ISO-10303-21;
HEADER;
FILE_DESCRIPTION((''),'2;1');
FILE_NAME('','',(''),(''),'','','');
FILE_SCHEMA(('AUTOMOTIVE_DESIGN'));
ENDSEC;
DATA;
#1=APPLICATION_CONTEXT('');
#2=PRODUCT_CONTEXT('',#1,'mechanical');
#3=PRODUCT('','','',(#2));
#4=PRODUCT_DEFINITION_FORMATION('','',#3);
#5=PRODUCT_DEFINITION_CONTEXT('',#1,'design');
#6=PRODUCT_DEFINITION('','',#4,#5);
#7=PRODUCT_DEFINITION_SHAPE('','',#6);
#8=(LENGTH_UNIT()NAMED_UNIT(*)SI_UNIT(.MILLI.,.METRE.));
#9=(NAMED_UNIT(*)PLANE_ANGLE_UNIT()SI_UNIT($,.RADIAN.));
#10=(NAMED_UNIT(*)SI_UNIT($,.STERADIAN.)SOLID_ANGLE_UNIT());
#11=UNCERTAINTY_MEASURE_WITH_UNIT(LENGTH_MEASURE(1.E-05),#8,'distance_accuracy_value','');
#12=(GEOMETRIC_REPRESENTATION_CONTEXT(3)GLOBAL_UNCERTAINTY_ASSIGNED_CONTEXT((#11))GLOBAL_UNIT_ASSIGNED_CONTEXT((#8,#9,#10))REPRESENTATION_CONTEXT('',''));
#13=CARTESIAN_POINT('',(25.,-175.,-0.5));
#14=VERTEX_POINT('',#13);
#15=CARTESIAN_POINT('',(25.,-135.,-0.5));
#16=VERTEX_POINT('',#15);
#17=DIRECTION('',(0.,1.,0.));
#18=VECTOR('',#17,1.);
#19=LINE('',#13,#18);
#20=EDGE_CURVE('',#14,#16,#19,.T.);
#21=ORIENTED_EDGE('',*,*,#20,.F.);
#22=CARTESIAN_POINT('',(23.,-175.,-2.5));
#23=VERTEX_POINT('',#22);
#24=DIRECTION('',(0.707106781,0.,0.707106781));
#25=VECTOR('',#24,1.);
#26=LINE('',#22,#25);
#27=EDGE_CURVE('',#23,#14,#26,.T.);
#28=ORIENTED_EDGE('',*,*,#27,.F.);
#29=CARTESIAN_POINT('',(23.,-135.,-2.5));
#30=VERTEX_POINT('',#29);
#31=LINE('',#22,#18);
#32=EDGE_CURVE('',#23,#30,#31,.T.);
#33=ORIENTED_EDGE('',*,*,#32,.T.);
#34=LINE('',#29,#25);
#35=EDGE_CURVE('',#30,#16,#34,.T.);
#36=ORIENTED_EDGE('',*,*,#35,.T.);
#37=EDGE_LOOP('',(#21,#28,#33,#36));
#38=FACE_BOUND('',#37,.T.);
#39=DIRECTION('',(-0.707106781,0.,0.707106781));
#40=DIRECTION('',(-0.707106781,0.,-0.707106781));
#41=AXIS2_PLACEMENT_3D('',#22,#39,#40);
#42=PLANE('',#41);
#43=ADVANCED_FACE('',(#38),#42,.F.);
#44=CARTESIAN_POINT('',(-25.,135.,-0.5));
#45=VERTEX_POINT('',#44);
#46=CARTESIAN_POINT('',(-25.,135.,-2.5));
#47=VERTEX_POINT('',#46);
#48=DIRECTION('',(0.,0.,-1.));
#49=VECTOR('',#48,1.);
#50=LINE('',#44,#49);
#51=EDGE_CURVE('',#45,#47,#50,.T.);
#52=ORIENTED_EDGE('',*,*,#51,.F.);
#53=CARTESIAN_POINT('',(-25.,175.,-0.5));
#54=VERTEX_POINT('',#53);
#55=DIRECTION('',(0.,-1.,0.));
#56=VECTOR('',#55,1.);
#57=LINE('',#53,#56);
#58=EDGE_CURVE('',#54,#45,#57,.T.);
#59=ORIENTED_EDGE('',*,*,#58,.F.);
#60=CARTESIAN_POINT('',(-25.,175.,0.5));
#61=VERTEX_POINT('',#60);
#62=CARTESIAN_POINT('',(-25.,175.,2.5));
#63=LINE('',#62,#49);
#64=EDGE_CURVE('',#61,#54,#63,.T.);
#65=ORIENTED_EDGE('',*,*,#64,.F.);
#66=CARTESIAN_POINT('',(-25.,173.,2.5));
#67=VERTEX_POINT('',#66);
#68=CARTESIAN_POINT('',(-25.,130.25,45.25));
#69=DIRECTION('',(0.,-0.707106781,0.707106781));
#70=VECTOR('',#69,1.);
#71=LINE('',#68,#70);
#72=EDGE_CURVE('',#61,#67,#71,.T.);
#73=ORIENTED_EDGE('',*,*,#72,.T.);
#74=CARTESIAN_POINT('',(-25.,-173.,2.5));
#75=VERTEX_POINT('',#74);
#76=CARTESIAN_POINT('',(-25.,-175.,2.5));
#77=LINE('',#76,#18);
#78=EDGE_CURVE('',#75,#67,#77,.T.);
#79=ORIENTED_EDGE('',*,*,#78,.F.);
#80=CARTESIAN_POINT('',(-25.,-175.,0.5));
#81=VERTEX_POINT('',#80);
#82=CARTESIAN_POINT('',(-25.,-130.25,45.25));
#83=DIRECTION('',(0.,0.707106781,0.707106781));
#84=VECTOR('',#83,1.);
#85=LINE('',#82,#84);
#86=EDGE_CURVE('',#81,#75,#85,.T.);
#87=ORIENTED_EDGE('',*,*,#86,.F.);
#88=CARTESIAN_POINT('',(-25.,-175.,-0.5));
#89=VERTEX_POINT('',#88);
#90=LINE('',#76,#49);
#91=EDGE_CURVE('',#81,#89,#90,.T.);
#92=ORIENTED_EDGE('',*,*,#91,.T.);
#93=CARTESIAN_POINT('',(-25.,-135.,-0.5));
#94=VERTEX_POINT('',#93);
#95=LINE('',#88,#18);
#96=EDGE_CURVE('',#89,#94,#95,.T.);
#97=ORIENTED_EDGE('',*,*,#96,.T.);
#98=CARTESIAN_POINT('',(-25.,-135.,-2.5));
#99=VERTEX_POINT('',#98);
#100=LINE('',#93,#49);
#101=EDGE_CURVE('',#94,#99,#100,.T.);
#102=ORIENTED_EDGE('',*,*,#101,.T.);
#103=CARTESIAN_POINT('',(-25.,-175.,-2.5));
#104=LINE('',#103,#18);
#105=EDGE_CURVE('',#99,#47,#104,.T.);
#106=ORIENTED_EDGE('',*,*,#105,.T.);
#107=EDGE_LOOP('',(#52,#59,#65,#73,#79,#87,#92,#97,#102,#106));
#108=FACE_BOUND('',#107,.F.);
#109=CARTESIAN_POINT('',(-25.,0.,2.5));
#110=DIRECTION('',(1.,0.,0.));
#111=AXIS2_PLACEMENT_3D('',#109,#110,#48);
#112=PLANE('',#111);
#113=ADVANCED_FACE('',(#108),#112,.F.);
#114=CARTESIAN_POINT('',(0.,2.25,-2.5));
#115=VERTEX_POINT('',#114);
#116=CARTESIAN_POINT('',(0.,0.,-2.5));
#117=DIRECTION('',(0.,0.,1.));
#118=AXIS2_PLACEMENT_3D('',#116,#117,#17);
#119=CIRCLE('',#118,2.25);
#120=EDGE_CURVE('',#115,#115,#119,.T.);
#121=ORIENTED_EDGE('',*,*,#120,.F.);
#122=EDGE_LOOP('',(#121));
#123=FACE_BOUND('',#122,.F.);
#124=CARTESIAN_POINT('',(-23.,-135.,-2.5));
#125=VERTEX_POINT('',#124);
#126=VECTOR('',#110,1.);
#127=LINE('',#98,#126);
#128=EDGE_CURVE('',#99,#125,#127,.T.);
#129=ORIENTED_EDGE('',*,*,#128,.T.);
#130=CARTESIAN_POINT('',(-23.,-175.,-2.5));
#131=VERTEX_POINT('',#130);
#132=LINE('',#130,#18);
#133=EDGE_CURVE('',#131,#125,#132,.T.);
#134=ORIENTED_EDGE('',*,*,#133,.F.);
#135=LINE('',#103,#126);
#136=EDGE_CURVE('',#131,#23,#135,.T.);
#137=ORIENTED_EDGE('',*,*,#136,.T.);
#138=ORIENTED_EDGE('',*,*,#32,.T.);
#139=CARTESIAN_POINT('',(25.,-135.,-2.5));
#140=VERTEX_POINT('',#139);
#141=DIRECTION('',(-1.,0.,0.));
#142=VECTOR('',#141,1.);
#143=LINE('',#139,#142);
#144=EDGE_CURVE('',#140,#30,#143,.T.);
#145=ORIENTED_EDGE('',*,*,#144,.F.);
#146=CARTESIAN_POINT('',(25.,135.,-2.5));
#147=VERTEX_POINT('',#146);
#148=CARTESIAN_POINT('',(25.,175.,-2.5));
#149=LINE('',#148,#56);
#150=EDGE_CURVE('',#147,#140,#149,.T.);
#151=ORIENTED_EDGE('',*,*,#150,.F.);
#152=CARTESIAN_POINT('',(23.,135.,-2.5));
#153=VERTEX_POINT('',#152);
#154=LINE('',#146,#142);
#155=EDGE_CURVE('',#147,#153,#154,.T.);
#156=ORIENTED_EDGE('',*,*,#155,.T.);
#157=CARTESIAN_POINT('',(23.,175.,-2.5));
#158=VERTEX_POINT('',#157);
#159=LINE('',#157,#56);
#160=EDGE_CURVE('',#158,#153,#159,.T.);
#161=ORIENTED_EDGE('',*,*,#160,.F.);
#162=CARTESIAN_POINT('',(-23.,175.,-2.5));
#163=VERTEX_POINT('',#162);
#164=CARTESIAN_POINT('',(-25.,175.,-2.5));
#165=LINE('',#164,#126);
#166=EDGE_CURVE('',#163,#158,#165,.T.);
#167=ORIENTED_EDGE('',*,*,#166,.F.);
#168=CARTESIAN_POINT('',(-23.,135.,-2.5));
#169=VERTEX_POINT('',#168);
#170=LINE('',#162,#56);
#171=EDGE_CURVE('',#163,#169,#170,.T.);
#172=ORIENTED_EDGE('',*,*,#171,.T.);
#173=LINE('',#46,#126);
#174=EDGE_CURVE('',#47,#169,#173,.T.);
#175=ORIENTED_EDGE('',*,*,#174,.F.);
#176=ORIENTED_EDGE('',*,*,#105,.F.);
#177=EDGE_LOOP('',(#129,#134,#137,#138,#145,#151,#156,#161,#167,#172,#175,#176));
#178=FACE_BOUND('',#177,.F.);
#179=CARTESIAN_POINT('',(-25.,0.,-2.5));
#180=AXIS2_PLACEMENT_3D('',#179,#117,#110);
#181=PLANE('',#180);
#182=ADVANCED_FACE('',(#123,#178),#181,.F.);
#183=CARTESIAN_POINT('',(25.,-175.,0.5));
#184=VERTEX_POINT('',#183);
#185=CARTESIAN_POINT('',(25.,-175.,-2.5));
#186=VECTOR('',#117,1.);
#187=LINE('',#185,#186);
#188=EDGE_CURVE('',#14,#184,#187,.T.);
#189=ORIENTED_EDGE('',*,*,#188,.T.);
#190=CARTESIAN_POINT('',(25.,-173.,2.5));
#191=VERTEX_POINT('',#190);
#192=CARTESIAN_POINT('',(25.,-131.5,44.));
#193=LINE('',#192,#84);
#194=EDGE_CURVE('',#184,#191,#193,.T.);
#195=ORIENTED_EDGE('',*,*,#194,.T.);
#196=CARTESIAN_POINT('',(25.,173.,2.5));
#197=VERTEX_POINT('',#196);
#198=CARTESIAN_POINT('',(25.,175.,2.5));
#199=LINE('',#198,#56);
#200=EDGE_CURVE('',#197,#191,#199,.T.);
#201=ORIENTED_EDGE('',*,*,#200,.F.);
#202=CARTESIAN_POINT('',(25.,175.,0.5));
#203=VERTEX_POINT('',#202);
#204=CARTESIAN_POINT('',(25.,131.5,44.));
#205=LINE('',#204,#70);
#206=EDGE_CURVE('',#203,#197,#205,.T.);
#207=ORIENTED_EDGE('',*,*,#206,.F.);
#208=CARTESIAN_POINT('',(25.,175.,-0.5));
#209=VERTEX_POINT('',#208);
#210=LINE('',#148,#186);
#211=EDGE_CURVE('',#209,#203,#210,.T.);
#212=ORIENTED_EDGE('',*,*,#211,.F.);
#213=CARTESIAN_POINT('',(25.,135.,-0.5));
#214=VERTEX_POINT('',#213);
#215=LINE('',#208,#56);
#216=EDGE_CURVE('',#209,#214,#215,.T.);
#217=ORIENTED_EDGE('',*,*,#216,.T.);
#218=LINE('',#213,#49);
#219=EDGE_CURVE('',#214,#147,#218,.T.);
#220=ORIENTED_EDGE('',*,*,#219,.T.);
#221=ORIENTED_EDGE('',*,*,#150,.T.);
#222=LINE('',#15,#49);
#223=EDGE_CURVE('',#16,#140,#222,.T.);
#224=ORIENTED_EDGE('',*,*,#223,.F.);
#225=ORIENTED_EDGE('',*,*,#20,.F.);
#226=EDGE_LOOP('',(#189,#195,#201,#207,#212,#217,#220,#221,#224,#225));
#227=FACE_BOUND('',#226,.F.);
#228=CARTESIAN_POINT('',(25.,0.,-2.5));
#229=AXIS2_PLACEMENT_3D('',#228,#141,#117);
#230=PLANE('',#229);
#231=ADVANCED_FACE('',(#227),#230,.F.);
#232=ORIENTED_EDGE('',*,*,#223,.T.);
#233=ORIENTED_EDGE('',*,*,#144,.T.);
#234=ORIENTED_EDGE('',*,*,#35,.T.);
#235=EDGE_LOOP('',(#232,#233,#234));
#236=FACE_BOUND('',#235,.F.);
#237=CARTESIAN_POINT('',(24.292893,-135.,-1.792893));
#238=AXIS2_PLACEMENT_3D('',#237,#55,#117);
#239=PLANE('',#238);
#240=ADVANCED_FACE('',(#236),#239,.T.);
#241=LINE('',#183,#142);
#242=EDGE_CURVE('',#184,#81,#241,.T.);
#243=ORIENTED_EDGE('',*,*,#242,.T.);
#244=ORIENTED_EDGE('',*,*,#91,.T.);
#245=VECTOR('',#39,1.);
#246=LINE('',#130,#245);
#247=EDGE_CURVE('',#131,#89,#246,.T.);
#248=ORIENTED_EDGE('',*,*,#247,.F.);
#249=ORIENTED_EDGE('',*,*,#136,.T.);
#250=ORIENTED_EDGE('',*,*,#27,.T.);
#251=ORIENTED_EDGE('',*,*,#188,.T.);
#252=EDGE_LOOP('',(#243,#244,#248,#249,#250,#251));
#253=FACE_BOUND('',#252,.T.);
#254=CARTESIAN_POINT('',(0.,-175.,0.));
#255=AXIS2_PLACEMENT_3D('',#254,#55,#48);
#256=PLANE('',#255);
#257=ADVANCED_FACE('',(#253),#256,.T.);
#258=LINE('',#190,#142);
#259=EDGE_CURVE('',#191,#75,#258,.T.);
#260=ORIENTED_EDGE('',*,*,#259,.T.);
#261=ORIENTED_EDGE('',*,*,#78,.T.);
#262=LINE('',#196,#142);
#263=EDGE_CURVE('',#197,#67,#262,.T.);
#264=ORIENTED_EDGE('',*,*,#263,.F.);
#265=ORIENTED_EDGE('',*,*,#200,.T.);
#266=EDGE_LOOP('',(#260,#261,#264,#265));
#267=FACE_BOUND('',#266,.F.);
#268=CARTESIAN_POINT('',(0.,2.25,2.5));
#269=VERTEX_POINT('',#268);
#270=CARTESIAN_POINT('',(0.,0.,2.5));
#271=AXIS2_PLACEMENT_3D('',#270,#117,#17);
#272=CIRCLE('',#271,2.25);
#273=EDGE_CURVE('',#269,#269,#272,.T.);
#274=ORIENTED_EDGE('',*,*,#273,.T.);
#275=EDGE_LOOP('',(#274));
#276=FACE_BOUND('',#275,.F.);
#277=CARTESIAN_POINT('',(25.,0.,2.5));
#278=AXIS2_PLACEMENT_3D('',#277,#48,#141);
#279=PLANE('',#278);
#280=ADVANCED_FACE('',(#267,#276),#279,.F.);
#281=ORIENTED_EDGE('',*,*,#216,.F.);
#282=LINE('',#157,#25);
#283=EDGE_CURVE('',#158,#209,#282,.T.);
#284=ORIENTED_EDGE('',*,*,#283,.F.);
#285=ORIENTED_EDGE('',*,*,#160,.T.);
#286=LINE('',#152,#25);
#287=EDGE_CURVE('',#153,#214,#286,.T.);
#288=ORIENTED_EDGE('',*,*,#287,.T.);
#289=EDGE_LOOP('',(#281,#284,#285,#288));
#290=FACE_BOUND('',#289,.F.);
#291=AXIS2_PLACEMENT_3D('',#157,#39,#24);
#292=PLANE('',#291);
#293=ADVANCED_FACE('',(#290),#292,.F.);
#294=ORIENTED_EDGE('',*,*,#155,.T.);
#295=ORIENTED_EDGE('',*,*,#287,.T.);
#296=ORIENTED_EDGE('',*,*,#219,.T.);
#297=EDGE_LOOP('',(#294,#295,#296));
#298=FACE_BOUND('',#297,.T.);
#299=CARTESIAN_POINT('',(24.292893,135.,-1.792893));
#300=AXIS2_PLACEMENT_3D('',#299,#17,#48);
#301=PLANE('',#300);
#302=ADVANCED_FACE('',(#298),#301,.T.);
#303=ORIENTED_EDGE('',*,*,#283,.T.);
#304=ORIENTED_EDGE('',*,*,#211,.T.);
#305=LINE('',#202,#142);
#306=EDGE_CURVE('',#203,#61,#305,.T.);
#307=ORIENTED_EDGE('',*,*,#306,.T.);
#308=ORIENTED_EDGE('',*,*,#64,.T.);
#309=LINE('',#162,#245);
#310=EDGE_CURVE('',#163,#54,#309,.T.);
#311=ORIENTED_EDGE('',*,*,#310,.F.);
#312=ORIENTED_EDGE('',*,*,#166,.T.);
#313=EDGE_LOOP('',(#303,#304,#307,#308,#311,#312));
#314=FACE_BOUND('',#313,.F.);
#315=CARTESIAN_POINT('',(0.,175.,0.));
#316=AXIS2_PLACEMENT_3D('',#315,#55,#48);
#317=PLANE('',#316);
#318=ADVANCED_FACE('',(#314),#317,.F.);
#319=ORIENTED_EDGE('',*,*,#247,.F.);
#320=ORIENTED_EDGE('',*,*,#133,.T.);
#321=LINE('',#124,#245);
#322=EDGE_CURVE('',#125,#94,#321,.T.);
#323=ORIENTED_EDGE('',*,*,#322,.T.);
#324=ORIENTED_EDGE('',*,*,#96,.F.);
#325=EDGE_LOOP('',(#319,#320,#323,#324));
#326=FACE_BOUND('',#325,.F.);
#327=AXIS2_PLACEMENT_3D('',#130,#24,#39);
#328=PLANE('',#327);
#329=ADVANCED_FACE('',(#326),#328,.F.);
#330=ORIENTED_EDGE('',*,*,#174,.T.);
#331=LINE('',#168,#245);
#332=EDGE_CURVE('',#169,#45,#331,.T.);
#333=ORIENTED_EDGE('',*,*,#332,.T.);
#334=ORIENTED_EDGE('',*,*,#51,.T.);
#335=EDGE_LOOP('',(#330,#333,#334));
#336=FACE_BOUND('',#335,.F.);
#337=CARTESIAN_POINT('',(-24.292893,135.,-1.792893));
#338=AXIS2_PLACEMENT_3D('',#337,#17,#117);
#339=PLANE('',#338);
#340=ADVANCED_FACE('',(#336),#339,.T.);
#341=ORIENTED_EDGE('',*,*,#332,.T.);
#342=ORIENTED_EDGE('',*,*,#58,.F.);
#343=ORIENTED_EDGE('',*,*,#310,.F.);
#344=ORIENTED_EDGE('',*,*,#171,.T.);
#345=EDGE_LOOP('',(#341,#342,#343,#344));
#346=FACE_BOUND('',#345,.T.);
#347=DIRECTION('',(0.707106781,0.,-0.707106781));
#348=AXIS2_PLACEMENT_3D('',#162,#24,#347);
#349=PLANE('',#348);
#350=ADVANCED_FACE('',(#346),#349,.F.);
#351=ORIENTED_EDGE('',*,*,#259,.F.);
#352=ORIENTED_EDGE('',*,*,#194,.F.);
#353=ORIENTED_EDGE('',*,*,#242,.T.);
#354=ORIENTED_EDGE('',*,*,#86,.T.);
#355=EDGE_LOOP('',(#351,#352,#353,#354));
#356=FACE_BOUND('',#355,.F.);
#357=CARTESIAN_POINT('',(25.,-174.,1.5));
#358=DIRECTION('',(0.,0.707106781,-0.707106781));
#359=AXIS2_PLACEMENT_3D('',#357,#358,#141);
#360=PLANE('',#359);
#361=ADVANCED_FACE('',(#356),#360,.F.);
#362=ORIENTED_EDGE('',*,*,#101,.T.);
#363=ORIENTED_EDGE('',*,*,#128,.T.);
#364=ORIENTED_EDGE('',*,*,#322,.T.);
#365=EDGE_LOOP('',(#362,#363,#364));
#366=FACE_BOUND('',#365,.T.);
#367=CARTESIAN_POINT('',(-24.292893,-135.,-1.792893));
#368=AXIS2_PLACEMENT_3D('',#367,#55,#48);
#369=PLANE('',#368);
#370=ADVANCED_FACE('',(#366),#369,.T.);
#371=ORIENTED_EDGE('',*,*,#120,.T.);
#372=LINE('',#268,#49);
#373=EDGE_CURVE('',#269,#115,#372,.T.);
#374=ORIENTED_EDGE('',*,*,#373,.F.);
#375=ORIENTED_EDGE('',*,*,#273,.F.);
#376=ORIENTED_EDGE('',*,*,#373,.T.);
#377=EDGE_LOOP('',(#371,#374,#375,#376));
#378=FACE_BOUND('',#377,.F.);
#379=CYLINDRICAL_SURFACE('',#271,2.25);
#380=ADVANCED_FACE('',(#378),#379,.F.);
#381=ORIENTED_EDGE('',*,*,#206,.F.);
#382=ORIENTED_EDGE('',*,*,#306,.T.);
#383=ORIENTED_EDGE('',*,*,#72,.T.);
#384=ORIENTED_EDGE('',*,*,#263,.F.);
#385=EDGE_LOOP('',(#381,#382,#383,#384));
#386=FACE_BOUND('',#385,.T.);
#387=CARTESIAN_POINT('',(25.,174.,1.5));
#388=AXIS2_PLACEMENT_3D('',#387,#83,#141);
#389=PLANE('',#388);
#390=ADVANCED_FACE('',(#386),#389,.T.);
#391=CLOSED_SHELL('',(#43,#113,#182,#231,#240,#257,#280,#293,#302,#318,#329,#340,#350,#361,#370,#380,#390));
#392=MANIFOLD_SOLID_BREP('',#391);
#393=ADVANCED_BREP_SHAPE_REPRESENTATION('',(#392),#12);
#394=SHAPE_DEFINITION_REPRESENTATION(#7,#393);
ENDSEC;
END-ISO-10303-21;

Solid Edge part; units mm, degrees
sketch "Sketch1" plane through (0, 0, 0) normal (0, -1, 0) x (1, 0, 0)
  line L0 (-25, -2.5) -> (25, -2.5)
  line L1 (25, -2.5) -> (25, 2.5)
  line L2 (25, 2.5) -> (-25, 2.5)
  line L3 (-25, 2.5) -> (-25, -2.5)
  dimension "D1" = 50
  dimension "D2" = 5
extrude "Protrusion1" add sketch "Sketch1" along normal mid plane 350
sketch "Sketch2" plane through (0, 0, 2.5) normal (0, 0, 1) x (0, 1, 0)
  circle A0 centre (0, 0) radius 2.25
extrude "Cutout1" cut sketch "Sketch2" against normal through all
sketch "Sketch3" plane through (0, -175, 0) normal (0, -1, 0) x (1, 0, 0)
  line L0 (-23, -2.5) -> (-25, -0.5)
  line L1 (-25, -0.5) -> (-25, -2.5)
  line L2 (-25, -2.5) -> (-23, -2.5)
  dimension "D1" = 2
extrude "Extrusionsausschnitt_2" cut sketch "Sketch3" against normal blind 40
mirror "Mirror1" about plane through (0, 0, 0) normal (1, 0, 0) of "Extrusionsausschnitt_2"
mirror "Mirror2" about plane through (0, 0, 0) normal (0, -1, 0) of "Extrusionsausschnitt_2", "Mirror1"
chamfer "Fase_1" distance 2 angle 45 2 edges at (0, -175, 2.5) (0, 175, 2.5)
properties material "Aluminium, 1060"
